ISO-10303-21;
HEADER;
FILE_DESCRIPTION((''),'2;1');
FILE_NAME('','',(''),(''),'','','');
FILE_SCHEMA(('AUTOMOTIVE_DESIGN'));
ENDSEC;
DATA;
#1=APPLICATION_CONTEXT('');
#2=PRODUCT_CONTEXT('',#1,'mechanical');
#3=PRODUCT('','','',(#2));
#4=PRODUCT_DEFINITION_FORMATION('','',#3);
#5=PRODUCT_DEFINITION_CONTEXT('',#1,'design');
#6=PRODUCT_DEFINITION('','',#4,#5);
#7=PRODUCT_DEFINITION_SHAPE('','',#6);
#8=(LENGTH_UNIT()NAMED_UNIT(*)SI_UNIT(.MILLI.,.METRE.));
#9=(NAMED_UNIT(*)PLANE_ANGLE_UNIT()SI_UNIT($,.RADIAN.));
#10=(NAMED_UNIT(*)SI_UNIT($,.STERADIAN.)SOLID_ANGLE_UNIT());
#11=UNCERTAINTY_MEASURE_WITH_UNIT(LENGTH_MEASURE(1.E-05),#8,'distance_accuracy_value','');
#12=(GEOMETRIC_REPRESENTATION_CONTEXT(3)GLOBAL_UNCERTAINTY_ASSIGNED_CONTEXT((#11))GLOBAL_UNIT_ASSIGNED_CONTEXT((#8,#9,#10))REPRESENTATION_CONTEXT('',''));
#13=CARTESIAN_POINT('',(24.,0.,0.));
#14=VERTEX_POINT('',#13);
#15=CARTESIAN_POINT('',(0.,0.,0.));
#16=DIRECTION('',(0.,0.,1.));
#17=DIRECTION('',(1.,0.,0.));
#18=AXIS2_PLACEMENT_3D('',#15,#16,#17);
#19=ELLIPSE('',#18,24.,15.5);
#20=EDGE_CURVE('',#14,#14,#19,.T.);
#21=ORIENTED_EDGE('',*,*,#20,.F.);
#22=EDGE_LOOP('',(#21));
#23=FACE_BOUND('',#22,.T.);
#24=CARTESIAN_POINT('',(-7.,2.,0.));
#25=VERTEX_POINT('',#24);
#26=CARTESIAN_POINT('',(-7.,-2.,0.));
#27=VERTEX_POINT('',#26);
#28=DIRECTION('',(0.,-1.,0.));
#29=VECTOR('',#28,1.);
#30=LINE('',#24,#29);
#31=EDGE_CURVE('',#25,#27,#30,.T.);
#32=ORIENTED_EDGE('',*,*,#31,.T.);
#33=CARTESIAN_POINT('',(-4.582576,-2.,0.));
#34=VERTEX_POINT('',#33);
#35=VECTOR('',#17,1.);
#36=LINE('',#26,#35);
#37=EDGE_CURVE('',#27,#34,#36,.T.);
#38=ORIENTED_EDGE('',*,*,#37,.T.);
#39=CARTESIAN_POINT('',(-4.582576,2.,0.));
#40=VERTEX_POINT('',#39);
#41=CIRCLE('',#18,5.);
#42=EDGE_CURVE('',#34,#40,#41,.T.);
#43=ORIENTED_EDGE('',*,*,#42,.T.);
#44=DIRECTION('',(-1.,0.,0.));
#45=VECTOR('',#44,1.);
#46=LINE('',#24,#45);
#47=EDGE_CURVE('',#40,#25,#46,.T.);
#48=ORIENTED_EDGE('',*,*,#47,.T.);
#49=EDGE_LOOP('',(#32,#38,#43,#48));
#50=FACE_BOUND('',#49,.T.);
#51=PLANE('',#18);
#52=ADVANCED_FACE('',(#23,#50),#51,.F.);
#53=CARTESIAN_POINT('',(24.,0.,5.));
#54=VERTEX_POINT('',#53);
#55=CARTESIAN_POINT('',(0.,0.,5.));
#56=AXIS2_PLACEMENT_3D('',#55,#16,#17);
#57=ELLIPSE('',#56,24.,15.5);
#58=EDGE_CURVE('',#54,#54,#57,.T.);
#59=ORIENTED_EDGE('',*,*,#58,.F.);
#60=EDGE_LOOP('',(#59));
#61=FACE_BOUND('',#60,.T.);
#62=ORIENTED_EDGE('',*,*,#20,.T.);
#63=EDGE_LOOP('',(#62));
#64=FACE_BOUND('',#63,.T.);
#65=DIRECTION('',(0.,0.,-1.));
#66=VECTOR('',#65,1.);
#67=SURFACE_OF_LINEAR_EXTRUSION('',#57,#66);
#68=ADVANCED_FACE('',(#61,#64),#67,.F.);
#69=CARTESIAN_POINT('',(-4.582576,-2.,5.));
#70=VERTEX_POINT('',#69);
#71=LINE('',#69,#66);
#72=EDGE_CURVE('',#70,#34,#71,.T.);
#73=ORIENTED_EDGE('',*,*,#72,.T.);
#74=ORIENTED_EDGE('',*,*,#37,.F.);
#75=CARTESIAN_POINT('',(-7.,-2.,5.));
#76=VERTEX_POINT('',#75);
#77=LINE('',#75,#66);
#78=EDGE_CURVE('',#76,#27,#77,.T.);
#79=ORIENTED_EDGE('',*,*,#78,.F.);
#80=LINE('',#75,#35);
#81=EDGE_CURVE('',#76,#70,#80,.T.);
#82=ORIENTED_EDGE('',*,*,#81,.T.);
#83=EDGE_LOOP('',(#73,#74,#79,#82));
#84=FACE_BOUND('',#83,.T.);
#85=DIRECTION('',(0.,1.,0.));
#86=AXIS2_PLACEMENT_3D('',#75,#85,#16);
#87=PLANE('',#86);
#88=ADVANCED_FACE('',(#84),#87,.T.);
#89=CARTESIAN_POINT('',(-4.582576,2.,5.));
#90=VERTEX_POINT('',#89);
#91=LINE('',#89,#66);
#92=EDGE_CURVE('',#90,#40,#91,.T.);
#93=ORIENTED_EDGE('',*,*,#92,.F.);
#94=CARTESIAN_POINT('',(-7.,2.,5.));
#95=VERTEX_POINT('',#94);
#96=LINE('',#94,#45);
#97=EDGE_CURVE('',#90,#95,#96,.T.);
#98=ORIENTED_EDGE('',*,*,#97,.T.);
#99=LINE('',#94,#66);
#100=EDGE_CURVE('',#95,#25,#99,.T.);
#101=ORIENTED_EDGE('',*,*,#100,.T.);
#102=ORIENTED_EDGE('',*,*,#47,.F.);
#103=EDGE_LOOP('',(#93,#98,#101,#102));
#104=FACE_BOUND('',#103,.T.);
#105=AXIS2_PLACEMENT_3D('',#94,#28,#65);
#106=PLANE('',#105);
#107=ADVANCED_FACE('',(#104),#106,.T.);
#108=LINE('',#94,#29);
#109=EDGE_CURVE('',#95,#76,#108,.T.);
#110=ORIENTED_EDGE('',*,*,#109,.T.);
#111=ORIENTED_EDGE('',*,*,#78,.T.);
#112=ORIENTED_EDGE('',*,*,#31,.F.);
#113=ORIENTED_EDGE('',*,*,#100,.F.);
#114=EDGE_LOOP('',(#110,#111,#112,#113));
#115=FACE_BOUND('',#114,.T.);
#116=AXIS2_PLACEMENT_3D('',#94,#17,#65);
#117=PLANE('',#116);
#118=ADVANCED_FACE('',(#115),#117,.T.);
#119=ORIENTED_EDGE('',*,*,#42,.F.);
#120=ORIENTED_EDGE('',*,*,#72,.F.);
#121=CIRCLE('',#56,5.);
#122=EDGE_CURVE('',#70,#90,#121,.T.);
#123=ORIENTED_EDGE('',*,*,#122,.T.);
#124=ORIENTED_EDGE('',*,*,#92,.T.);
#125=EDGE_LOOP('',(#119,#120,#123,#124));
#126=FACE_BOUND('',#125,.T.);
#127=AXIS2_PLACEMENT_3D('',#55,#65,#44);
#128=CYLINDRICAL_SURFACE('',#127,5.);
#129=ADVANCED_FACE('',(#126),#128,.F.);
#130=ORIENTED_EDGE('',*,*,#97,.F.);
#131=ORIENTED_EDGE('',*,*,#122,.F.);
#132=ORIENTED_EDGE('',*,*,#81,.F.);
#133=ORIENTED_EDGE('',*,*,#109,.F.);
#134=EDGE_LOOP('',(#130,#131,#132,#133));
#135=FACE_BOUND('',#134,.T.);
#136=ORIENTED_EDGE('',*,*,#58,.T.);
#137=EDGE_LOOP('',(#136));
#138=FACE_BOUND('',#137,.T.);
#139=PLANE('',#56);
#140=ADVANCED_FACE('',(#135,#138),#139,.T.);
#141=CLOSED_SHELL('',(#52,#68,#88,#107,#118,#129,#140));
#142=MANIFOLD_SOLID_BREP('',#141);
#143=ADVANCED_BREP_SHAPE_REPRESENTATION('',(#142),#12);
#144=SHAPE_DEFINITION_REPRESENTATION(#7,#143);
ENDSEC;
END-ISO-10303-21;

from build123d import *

# Parameters (mm, degrees)
CROQUIS1_RX             = 24
CROQUIS1_RY             = 15.5
SALIENTE_EXTRUIR1_DEPTH = 5


with BuildPart() as part:
    # Croquis1 → Saliente-Extruir1 (new body)
    with BuildSketch(Plane.XY):
        with Locations((0, 0)):
            Ellipse(CROQUIS1_RX, CROQUIS1_RY)
        with BuildLine():
            Line((-7, 2), (-4.582575695, 2))
            ThreePointArc((-4.582575695, 2), (5, 0), (-4.582575695, -2))
            Line((-4.582575695, -2), (-7, -2))
            Line((-7, -2), (-7, 2))
        make_face(mode=Mode.SUBTRACT)
    extrude(amount=SALIENTE_EXTRUIR1_DEPTH)


solid = part.part
